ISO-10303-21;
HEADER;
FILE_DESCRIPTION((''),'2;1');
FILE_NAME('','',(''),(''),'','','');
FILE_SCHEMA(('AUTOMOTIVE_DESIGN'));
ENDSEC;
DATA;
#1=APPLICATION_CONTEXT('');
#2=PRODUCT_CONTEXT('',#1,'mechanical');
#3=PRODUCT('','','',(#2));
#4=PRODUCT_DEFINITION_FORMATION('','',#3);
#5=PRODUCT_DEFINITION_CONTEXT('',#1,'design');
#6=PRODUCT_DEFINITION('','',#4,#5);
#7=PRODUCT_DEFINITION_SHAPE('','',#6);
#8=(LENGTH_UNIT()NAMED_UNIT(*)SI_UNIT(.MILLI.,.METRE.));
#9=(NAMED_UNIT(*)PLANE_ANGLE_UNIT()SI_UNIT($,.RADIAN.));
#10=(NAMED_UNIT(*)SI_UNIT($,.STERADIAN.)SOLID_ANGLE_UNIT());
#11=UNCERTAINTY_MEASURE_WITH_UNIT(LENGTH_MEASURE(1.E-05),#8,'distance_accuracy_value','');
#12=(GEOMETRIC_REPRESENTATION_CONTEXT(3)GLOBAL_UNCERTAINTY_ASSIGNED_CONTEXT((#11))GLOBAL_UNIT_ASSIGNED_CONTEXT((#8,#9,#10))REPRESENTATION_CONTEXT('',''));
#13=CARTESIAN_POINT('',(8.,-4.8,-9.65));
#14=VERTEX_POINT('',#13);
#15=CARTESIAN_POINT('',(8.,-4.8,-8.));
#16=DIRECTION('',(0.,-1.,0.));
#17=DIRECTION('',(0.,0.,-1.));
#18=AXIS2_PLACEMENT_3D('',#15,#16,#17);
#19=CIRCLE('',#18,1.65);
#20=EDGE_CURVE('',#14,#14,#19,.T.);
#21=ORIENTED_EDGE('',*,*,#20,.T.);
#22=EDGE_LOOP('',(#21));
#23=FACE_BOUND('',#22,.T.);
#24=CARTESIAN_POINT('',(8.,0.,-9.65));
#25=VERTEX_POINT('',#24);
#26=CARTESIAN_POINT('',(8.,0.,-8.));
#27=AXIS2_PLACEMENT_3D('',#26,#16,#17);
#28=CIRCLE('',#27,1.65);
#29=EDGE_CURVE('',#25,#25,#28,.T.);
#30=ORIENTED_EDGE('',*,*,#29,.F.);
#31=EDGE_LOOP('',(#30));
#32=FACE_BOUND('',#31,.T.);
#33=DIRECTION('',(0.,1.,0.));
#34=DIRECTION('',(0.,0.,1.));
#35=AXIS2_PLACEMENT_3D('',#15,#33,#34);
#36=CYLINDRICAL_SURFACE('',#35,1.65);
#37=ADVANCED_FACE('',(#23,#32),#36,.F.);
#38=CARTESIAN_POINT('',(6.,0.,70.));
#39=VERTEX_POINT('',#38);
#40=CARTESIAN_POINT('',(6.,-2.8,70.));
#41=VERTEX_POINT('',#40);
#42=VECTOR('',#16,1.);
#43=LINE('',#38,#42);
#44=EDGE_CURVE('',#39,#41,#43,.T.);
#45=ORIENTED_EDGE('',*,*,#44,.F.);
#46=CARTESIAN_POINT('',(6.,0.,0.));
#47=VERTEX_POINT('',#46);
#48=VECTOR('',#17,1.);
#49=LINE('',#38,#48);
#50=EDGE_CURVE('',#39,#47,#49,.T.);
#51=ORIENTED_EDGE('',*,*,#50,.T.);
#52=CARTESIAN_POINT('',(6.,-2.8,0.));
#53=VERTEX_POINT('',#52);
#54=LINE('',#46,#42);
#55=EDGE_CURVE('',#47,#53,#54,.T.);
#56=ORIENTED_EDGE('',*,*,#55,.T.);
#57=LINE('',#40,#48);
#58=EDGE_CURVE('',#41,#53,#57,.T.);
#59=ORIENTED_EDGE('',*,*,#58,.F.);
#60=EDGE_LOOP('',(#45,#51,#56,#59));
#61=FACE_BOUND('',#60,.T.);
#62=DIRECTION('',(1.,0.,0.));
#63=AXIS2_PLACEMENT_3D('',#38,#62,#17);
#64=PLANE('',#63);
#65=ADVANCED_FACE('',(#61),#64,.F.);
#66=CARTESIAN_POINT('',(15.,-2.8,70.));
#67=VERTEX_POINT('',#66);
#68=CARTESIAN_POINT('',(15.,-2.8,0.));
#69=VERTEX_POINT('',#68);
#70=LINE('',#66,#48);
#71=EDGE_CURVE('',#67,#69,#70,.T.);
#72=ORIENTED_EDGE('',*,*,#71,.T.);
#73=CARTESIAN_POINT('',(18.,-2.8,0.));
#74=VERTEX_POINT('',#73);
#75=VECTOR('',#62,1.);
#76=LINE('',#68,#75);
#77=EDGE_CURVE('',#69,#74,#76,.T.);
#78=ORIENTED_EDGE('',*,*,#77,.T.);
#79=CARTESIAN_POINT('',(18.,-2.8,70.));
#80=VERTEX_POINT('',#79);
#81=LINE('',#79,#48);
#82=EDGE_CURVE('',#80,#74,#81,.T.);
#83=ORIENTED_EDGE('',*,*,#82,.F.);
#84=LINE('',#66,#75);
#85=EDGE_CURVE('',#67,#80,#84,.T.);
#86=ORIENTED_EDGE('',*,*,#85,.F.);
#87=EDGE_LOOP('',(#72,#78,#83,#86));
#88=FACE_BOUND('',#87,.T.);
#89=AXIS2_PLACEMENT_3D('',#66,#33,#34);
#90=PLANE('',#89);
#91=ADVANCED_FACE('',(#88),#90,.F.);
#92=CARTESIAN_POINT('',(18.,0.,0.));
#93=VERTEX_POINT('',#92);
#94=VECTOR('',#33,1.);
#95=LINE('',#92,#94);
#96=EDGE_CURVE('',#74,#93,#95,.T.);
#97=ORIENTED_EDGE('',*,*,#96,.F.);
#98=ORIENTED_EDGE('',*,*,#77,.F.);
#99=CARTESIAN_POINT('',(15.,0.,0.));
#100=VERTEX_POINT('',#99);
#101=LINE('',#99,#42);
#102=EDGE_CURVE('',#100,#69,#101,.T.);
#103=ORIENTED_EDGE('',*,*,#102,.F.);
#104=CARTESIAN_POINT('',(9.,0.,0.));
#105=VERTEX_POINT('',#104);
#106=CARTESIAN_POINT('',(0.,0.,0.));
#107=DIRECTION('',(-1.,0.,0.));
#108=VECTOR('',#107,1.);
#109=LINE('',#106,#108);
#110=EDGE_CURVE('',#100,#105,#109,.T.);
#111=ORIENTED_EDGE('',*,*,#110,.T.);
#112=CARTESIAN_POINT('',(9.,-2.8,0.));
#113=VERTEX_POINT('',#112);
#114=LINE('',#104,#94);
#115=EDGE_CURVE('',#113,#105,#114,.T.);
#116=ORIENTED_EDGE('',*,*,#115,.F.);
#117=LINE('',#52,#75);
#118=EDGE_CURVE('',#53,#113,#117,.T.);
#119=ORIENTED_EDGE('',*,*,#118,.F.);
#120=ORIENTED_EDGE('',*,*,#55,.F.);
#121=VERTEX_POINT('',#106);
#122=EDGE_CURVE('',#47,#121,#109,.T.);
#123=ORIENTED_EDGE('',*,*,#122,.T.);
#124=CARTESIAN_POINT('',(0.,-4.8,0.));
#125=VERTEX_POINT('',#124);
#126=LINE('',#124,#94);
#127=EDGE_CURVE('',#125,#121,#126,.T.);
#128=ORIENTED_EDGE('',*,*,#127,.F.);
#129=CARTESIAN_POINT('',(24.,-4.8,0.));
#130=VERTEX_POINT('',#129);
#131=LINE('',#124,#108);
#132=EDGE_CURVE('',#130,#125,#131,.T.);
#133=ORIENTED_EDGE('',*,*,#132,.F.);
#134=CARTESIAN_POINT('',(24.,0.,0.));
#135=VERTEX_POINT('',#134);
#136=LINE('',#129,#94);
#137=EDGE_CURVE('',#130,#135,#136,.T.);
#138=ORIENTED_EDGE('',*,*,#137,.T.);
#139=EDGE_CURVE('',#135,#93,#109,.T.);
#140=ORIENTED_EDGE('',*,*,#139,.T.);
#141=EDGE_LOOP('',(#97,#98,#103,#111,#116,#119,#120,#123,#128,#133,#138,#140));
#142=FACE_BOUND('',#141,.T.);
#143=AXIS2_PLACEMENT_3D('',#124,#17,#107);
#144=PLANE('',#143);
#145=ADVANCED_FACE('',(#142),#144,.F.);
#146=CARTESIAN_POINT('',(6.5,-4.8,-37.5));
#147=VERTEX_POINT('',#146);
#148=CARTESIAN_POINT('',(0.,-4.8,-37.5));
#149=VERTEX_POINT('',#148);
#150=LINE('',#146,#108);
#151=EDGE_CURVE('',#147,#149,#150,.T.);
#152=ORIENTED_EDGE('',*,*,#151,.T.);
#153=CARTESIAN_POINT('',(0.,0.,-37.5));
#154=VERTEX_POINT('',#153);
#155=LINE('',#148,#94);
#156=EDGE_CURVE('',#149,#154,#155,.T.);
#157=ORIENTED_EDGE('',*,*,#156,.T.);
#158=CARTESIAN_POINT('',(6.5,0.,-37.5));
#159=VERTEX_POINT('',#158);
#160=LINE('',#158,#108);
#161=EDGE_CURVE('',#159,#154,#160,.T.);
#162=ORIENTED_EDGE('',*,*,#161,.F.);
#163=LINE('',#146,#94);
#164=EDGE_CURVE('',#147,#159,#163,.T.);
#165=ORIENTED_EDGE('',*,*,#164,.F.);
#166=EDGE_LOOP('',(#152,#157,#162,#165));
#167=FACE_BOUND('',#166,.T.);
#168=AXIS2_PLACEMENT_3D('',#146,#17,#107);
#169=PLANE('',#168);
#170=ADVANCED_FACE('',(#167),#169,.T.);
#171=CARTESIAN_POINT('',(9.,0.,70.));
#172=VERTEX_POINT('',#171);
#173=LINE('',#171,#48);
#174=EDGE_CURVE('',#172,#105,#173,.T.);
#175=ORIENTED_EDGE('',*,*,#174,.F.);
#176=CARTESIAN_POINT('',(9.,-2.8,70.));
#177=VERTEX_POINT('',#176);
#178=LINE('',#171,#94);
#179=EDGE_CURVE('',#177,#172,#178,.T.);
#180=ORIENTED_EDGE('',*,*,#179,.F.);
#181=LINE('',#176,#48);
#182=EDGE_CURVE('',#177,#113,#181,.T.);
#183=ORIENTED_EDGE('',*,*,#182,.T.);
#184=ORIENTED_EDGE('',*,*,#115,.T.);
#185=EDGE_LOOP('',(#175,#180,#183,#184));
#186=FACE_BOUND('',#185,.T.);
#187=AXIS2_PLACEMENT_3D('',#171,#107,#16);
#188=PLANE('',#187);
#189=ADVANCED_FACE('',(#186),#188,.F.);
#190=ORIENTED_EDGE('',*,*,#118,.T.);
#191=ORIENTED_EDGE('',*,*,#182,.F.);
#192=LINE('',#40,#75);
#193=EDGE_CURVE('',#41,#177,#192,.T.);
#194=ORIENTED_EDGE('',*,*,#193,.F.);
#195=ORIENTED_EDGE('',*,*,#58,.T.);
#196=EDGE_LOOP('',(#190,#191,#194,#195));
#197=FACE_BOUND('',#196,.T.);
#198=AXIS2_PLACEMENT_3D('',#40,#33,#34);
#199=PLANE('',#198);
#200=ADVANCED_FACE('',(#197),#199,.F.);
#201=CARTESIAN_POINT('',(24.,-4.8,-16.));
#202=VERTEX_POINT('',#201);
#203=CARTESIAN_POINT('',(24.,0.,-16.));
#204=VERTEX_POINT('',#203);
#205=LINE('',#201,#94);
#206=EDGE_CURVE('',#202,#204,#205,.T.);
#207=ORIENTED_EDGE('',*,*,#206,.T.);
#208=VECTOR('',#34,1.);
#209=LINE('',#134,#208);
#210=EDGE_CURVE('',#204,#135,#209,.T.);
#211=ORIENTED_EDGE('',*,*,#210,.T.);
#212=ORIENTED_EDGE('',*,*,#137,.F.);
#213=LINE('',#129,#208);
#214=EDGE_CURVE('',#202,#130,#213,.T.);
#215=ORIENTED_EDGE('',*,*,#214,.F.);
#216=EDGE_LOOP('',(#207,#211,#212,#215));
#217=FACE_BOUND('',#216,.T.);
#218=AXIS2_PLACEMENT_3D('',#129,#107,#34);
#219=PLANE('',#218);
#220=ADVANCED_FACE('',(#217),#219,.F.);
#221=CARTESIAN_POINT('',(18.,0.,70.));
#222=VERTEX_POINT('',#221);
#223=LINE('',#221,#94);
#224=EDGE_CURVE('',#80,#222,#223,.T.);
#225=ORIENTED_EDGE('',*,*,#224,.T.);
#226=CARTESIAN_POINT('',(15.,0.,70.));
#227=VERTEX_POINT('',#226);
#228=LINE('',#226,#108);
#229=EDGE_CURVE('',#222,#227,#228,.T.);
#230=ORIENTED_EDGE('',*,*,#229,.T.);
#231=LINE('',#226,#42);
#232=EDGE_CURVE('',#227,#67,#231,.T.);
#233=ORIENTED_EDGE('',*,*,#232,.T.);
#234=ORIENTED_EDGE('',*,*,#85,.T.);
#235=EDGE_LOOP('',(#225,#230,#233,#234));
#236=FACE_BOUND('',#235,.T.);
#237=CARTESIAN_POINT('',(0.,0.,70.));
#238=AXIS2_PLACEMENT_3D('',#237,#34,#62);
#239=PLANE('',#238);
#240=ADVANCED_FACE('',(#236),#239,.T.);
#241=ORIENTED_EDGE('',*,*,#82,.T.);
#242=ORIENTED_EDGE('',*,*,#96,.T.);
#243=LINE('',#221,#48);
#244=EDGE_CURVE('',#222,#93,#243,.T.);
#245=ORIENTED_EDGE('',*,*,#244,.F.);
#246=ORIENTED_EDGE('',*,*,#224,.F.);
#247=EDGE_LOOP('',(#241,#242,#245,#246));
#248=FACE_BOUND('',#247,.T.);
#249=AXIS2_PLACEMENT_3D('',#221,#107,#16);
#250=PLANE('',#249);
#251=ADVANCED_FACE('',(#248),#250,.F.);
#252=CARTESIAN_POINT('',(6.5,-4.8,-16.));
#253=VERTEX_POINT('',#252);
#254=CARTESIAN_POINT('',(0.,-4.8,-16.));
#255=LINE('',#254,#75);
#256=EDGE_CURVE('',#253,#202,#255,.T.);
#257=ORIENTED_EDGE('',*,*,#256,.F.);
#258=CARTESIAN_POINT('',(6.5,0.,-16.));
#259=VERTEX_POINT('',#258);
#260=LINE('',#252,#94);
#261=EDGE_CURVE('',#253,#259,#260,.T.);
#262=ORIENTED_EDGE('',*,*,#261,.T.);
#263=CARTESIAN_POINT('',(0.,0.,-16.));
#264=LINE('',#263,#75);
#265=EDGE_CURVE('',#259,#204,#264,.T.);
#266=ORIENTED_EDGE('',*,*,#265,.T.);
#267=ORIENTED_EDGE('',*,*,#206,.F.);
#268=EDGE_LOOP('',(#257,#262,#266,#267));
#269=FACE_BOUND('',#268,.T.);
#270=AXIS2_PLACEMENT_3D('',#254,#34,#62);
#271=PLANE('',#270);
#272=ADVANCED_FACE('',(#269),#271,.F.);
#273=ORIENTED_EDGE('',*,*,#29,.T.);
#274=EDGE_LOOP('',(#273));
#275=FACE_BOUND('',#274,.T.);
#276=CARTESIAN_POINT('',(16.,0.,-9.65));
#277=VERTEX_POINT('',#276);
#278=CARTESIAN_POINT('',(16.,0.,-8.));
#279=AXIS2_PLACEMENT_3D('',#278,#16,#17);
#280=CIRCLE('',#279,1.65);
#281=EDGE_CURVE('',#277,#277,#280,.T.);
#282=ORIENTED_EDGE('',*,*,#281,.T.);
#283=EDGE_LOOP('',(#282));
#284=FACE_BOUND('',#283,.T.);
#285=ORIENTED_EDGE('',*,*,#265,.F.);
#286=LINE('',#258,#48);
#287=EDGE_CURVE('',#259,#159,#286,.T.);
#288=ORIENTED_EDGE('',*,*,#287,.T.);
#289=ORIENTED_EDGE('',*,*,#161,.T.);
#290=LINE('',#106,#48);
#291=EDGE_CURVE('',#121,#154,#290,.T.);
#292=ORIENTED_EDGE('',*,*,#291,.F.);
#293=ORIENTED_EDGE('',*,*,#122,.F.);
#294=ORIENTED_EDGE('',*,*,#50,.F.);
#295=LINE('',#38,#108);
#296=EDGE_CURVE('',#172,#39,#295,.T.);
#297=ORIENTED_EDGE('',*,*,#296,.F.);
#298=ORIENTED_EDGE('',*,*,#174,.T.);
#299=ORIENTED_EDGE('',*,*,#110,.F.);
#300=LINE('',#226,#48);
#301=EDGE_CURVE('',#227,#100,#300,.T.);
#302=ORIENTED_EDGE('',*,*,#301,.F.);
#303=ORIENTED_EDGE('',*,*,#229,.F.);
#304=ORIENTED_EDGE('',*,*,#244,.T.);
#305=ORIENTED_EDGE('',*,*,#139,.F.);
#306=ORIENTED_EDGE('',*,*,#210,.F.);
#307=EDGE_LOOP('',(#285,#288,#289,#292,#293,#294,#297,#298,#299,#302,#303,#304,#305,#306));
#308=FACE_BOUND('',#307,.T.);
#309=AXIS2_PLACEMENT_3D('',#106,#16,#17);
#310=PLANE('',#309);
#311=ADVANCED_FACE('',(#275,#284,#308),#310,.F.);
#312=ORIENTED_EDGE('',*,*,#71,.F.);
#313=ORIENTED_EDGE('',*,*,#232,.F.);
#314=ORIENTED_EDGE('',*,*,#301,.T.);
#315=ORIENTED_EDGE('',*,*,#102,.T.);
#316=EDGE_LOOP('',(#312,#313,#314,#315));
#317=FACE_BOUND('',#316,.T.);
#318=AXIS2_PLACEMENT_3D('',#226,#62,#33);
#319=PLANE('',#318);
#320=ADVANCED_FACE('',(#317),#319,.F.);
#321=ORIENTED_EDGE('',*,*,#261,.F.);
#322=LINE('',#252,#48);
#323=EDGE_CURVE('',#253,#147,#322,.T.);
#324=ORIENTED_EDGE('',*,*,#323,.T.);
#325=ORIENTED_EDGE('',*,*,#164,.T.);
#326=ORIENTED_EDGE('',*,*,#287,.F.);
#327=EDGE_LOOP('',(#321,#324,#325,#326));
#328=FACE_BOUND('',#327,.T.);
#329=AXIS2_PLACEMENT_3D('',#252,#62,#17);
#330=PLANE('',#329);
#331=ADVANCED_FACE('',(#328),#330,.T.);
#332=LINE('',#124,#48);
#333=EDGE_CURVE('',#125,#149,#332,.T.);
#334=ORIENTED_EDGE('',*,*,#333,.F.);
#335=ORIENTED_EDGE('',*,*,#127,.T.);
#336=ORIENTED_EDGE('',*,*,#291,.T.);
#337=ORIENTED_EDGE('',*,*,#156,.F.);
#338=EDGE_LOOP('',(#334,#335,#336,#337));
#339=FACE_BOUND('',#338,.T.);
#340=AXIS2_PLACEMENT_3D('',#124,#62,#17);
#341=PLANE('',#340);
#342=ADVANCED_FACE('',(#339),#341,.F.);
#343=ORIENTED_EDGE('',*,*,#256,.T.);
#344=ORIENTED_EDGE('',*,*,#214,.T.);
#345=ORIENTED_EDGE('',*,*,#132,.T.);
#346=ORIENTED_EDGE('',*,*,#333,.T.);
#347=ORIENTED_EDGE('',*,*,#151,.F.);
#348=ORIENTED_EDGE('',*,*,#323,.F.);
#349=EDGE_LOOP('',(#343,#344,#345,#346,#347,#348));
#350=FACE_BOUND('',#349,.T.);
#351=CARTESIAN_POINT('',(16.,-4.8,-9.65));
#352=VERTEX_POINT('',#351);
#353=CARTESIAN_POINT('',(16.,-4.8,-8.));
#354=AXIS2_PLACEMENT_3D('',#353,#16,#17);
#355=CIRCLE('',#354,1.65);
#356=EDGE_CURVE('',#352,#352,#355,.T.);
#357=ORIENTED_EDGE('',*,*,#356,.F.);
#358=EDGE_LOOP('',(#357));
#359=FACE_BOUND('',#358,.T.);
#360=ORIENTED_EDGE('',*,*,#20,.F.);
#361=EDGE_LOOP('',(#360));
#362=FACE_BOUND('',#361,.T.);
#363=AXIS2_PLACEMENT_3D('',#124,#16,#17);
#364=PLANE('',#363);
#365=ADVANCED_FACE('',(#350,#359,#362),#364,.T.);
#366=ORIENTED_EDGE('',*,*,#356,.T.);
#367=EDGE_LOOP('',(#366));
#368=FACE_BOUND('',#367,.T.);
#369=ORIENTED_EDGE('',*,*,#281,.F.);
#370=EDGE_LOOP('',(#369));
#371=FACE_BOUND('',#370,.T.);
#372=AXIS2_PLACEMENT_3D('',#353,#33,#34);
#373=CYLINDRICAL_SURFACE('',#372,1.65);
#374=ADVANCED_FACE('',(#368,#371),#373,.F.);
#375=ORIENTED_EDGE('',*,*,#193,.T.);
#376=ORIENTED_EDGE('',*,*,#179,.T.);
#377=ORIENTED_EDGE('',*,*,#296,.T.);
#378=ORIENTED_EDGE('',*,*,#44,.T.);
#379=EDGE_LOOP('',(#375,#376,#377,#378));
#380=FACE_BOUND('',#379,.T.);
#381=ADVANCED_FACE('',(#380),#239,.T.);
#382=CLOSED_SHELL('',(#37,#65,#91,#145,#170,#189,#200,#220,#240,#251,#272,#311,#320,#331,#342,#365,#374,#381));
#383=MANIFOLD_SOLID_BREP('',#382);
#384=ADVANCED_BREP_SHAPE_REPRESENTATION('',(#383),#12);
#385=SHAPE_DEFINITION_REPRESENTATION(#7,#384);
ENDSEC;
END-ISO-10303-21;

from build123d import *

# Parameters (mm, degrees)
SKETCH1_W           = 24
SKETCH1_H           = 16
SKETCH1_R           = 1.65
BOSS_EXTRUDE1_DEPTH = 4.8
SKETCH2_W           = 3
SKETCH2_H           = 2.8
BOSS_EXTRUDE2_DEPTH = 70
SKETCH4_W           = 6.5
SKETCH4_H           = 21.5
BOSS_EXTRUDE3_DEPTH = 4.8


with BuildPart() as part:
    # Sketch1 → Boss-Extrude1 (new body)
    with BuildSketch(Plane.XZ):
        with Locations((12, -8)):
            Rectangle(SKETCH1_W, SKETCH1_H)
        with Locations((8, -8)):
            Circle(SKETCH1_R, mode=Mode.SUBTRACT)
        with Locations((16, -8)):
            Circle(SKETCH1_R, mode=Mode.SUBTRACT)
    extrude(amount=BOSS_EXTRUDE1_DEPTH)

    # Sketch2 → Boss-Extrude2 (add)
    with BuildSketch(Plane.XY):
        with Locations((7.5, -1.4)):
            Rectangle(SKETCH2_W, SKETCH2_H)
        with Locations((16.5, -1.4)):
            Rectangle(SKETCH2_W, SKETCH2_H)
    extrude(amount=BOSS_EXTRUDE2_DEPTH)

    # Sketch4 → Boss-Extrude3 (add)
    with BuildSketch(Plane(origin=(0, 0, 0), x_dir=(1, 0, 0), z_dir=(0, 1, 0))):
        with Locations((3.25, 26.75)):
            Rectangle(SKETCH4_W, SKETCH4_H)
    extrude(amount=-BOSS_EXTRUDE3_DEPTH)


solid = part.part
